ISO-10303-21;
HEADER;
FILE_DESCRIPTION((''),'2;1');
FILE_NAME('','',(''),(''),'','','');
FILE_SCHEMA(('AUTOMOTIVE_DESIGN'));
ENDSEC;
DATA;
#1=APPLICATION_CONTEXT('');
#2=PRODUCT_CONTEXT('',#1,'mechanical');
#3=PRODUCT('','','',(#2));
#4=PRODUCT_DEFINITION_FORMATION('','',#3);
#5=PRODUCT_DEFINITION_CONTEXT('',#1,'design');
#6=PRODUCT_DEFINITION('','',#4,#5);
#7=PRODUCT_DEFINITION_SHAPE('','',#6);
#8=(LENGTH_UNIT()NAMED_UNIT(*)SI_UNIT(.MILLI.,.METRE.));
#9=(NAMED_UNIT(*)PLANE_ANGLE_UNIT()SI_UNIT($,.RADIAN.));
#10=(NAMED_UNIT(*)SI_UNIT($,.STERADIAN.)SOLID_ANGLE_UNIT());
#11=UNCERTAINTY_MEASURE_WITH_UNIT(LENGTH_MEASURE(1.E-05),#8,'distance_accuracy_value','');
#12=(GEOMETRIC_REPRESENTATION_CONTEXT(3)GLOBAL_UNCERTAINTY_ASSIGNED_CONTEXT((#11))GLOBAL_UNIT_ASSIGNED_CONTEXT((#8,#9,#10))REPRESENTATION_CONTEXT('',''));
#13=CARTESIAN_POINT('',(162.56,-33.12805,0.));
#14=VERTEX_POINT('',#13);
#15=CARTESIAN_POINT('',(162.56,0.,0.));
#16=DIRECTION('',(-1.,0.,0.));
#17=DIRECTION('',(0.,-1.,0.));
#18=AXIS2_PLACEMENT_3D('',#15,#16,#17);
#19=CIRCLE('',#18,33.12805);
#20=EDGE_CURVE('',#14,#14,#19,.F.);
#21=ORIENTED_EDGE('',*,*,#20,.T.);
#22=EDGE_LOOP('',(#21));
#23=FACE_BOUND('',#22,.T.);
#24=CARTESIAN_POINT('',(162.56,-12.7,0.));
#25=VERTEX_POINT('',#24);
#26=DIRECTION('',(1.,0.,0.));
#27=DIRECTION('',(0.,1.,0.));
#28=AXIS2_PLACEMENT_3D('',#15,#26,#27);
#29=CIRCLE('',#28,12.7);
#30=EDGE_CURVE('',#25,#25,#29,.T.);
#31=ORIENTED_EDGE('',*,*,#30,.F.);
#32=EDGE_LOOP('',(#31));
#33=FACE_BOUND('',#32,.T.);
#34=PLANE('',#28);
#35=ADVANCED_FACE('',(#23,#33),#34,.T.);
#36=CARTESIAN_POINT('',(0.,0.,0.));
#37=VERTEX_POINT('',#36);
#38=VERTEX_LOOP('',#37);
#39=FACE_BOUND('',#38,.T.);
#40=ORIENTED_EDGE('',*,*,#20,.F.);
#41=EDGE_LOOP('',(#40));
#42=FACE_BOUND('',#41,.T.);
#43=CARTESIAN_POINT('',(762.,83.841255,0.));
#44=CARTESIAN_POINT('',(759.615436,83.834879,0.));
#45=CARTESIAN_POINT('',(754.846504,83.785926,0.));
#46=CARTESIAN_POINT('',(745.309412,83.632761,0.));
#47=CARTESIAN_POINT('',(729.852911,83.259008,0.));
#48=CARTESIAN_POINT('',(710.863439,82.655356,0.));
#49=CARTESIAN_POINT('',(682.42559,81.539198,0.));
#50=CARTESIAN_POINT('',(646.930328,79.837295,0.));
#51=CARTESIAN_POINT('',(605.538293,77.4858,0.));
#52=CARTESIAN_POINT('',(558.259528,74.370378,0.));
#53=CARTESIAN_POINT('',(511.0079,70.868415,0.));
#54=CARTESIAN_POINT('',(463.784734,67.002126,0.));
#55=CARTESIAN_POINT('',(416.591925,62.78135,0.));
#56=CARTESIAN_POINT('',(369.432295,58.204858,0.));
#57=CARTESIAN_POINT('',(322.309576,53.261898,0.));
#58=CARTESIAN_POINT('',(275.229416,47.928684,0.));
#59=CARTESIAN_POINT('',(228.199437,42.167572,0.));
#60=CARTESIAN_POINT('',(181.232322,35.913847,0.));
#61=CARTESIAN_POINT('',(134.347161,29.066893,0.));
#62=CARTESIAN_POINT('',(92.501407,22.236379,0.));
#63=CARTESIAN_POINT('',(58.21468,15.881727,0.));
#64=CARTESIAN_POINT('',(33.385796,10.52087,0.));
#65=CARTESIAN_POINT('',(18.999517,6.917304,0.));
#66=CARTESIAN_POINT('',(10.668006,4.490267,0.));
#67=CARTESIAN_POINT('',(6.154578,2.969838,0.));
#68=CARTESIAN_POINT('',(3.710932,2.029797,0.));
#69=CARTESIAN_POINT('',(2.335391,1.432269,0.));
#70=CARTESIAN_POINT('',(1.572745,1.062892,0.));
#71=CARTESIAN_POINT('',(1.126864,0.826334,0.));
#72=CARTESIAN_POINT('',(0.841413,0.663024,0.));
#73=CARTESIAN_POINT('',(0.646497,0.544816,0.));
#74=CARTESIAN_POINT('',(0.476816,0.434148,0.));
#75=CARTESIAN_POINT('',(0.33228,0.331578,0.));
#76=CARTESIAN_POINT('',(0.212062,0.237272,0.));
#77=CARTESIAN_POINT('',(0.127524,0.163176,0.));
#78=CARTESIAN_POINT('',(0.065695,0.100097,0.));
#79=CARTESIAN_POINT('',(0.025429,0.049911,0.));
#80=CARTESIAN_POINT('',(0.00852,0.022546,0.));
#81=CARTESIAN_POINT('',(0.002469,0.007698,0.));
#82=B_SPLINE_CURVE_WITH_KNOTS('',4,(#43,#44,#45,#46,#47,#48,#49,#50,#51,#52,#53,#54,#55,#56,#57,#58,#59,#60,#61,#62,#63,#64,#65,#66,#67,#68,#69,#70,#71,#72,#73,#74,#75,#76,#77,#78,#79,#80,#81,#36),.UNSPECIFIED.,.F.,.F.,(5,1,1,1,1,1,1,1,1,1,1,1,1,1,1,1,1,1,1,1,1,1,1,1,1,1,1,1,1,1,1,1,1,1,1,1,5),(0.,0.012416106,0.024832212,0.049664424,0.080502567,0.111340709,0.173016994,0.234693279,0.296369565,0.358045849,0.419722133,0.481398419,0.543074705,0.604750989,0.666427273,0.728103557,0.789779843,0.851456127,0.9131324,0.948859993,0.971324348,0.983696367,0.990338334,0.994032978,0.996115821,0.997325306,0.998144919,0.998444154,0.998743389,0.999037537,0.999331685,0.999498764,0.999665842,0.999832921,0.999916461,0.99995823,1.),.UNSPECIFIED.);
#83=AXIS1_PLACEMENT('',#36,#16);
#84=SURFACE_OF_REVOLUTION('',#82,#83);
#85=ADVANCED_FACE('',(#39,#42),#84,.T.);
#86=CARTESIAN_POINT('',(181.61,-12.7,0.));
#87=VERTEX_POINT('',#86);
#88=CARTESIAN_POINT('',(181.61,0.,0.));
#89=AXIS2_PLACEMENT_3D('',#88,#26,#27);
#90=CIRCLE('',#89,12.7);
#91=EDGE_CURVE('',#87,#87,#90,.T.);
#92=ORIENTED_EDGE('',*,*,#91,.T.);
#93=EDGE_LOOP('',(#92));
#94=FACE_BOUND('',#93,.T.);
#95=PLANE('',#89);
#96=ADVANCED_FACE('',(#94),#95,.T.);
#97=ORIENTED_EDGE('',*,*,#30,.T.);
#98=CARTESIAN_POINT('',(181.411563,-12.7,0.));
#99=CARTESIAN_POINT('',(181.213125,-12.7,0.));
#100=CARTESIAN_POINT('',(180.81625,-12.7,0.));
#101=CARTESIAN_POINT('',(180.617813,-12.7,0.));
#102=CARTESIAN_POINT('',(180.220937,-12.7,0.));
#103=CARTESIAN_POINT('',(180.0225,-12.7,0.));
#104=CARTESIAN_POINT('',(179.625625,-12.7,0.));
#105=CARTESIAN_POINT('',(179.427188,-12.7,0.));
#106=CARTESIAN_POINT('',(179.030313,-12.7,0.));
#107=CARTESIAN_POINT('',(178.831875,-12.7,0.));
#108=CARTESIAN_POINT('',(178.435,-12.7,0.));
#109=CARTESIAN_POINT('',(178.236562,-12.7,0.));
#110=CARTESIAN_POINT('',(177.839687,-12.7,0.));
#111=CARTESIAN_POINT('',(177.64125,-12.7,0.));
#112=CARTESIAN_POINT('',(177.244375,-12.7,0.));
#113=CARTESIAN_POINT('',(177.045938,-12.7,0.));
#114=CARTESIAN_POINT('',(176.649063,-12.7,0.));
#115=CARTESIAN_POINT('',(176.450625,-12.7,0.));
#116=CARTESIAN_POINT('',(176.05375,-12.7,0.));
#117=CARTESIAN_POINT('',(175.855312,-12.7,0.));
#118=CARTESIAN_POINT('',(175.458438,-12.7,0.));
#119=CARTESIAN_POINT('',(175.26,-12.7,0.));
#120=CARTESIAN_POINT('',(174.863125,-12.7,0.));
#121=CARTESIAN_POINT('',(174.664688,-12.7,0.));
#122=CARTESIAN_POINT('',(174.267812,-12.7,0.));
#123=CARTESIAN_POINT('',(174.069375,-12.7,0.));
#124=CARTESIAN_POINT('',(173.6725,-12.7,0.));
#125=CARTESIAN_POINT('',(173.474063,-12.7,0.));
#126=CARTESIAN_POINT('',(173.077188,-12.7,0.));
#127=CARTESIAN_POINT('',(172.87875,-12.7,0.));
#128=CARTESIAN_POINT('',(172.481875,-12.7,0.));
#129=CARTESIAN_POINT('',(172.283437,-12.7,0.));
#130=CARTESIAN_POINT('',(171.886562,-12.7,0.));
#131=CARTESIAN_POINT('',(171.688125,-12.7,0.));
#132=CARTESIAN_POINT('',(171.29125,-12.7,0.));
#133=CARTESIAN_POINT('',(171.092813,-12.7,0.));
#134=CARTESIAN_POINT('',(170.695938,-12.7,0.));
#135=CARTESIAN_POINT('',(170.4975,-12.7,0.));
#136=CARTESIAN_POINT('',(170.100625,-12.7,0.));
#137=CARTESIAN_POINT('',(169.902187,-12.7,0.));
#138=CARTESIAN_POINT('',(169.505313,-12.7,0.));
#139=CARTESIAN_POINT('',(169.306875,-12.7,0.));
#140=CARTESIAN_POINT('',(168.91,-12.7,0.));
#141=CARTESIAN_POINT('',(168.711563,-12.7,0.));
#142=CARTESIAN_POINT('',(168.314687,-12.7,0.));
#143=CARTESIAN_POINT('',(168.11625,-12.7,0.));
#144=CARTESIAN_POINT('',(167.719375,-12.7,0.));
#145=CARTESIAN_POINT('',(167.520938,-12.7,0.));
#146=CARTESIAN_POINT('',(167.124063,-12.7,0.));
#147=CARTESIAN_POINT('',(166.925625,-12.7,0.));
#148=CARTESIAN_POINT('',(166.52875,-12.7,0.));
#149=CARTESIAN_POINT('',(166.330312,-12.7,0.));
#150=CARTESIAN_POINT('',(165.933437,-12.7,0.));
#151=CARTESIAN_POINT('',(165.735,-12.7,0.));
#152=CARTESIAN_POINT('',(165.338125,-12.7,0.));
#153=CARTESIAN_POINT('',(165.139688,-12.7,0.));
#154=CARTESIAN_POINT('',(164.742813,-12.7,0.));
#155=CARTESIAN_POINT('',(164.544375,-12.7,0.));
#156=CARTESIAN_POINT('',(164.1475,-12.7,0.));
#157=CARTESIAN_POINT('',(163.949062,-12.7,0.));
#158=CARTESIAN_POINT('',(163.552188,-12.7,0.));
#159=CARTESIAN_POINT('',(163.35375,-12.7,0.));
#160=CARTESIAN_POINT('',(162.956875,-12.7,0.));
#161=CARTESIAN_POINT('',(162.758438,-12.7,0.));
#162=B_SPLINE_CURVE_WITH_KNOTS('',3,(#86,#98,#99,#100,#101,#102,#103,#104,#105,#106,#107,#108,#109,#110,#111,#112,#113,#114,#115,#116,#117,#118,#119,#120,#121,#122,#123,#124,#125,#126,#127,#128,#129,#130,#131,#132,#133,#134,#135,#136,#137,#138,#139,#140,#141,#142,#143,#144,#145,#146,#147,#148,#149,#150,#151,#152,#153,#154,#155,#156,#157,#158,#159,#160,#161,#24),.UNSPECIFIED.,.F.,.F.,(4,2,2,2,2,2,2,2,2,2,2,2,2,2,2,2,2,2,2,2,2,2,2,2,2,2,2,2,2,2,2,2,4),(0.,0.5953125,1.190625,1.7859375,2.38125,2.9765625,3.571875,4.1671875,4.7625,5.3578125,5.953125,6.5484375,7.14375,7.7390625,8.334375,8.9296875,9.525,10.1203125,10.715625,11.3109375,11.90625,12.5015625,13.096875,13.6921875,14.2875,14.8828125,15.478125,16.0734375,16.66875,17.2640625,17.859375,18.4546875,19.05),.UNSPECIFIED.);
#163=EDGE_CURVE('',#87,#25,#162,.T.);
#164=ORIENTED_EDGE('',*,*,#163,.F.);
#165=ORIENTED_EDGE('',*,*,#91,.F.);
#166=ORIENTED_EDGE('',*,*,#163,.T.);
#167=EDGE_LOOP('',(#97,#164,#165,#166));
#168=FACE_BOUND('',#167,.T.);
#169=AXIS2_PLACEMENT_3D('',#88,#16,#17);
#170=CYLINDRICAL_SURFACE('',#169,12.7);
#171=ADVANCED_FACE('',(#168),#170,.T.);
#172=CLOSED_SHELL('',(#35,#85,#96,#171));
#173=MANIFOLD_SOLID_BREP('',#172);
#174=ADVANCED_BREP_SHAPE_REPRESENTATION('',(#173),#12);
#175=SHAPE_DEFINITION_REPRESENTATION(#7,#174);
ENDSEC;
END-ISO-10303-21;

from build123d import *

# Parameters (mm, degrees)
SKETCH8_R           = 83.841254666
BOSS_EXTRUDE1_DEPTH = 10.16
SKETCH9_R           = 117.461252673
CUT_EXTRUDE1_DEPTH  = 681.99
SKETCH10_R          = 12.7
BOSS_EXTRUDE2_DEPTH = 19.05


with BuildPart() as part:
    # Sketch7 → Revolve3 (revolve)
    with BuildSketch(Plane.XY):
        with BuildLine():
            Line((762, 83.841254666), (762, 0))
            Line((762, 0), (0, 0))
            add(Edge.make_bspline(
                [(0, 0), (0.002469036, 0.007698152), (0.00852038, 0.022545642), (0.025428785, 0.049911406), (0.065694849, 0.100096678), (0.127523873, 0.163176144), (0.212062429, 0.237272493), (0.332279694, 0.331578396), (0.47681638, 0.434147846), (0.646496772, 0.544815952), (0.841412681, 0.663024364), (1.126864222, 0.82633392), (1.572744504, 1.062892156), (2.33539055, 1.432268664), (3.710931738, 2.02979685), (6.154578127, 2.969838304), (10.668005752, 4.490267325), (18.999517068, 6.917303838), (33.385795617, 10.520869917), (58.214680344, 15.881727226), (92.501407111, 22.236378549), (134.347160824, 29.066892837), (181.232321928, 35.913847395), (228.199436648, 42.167572329), (275.229416109, 47.928683924), (322.309575865, 53.261898342), (369.432294544, 58.204857708), (416.591925172, 62.781349507), (463.784734462, 67.002125548), (511.007900045, 70.868414522), (558.259527802, 74.370378395), (605.538293137, 77.485800464), (646.930327879, 79.837294836), (682.425589554, 81.539197971), (710.863439026, 82.65535626), (729.852911101, 83.259007577), (745.309411706, 83.632760833), (754.846503834, 83.785926018), (759.61543609, 83.834878653), (762, 83.841254666)],
                knots=[0, 0, 0, 0, 0, 4.177e-05, 8.3539e-05, 0.000167079, 0.000334158, 0.000501236, 0.000668315, 0.000962463, 0.001256611, 0.001555846, 0.001855081, 0.002674694, 0.003884179, 0.005967022, 0.009661666, 0.016303633, 0.028675652, 0.051140007, 0.0868676, 0.148543873, 0.210220157, 0.271896443, 0.333572727, 0.395249011, 0.456925295, 0.518601581, 0.580277867, 0.641954151, 0.703630435, 0.765306721, 0.826983006, 0.888659291, 0.919497433, 0.950335576, 0.975167788, 0.987583894, 1, 1, 1, 1, 1], degree=4))
        make_face()
    revolve(axis=Axis((0, 0, 0), (1, 0, 0)))

    # Sketch8 → Boss-Extrude1 (add)
    with BuildSketch(Plane(origin=(762, 0, 0), x_dir=(0, 0, -1), z_dir=(1, 0, 0))):
        with Locations(Location((0, 0, 0), (0, 0, 90))):
            Circle(SKETCH8_R)
    extrude(amount=BOSS_EXTRUDE1_DEPTH)

    # Sketch9 → Cut-Extrude1 (cut)
    with BuildSketch(Plane(origin=(162.56, 0, 0), x_dir=(0, 0, -1), z_dir=(1, 0, 0))):
        Circle(SKETCH9_R)
    extrude(amount=CUT_EXTRUDE1_DEPTH, mode=Mode.SUBTRACT)

    # Sketch10 → Boss-Extrude2 (add)
    with BuildSketch(Plane(origin=(162.56, 0, 0), x_dir=(0, 0, -1), z_dir=(1, 0, 0))):
        with Locations(Location((0, 0, 0), (0, 0, 270))):
            Circle(SKETCH10_R)
    extrude(amount=BOSS_EXTRUDE2_DEPTH)


solid = part.part
